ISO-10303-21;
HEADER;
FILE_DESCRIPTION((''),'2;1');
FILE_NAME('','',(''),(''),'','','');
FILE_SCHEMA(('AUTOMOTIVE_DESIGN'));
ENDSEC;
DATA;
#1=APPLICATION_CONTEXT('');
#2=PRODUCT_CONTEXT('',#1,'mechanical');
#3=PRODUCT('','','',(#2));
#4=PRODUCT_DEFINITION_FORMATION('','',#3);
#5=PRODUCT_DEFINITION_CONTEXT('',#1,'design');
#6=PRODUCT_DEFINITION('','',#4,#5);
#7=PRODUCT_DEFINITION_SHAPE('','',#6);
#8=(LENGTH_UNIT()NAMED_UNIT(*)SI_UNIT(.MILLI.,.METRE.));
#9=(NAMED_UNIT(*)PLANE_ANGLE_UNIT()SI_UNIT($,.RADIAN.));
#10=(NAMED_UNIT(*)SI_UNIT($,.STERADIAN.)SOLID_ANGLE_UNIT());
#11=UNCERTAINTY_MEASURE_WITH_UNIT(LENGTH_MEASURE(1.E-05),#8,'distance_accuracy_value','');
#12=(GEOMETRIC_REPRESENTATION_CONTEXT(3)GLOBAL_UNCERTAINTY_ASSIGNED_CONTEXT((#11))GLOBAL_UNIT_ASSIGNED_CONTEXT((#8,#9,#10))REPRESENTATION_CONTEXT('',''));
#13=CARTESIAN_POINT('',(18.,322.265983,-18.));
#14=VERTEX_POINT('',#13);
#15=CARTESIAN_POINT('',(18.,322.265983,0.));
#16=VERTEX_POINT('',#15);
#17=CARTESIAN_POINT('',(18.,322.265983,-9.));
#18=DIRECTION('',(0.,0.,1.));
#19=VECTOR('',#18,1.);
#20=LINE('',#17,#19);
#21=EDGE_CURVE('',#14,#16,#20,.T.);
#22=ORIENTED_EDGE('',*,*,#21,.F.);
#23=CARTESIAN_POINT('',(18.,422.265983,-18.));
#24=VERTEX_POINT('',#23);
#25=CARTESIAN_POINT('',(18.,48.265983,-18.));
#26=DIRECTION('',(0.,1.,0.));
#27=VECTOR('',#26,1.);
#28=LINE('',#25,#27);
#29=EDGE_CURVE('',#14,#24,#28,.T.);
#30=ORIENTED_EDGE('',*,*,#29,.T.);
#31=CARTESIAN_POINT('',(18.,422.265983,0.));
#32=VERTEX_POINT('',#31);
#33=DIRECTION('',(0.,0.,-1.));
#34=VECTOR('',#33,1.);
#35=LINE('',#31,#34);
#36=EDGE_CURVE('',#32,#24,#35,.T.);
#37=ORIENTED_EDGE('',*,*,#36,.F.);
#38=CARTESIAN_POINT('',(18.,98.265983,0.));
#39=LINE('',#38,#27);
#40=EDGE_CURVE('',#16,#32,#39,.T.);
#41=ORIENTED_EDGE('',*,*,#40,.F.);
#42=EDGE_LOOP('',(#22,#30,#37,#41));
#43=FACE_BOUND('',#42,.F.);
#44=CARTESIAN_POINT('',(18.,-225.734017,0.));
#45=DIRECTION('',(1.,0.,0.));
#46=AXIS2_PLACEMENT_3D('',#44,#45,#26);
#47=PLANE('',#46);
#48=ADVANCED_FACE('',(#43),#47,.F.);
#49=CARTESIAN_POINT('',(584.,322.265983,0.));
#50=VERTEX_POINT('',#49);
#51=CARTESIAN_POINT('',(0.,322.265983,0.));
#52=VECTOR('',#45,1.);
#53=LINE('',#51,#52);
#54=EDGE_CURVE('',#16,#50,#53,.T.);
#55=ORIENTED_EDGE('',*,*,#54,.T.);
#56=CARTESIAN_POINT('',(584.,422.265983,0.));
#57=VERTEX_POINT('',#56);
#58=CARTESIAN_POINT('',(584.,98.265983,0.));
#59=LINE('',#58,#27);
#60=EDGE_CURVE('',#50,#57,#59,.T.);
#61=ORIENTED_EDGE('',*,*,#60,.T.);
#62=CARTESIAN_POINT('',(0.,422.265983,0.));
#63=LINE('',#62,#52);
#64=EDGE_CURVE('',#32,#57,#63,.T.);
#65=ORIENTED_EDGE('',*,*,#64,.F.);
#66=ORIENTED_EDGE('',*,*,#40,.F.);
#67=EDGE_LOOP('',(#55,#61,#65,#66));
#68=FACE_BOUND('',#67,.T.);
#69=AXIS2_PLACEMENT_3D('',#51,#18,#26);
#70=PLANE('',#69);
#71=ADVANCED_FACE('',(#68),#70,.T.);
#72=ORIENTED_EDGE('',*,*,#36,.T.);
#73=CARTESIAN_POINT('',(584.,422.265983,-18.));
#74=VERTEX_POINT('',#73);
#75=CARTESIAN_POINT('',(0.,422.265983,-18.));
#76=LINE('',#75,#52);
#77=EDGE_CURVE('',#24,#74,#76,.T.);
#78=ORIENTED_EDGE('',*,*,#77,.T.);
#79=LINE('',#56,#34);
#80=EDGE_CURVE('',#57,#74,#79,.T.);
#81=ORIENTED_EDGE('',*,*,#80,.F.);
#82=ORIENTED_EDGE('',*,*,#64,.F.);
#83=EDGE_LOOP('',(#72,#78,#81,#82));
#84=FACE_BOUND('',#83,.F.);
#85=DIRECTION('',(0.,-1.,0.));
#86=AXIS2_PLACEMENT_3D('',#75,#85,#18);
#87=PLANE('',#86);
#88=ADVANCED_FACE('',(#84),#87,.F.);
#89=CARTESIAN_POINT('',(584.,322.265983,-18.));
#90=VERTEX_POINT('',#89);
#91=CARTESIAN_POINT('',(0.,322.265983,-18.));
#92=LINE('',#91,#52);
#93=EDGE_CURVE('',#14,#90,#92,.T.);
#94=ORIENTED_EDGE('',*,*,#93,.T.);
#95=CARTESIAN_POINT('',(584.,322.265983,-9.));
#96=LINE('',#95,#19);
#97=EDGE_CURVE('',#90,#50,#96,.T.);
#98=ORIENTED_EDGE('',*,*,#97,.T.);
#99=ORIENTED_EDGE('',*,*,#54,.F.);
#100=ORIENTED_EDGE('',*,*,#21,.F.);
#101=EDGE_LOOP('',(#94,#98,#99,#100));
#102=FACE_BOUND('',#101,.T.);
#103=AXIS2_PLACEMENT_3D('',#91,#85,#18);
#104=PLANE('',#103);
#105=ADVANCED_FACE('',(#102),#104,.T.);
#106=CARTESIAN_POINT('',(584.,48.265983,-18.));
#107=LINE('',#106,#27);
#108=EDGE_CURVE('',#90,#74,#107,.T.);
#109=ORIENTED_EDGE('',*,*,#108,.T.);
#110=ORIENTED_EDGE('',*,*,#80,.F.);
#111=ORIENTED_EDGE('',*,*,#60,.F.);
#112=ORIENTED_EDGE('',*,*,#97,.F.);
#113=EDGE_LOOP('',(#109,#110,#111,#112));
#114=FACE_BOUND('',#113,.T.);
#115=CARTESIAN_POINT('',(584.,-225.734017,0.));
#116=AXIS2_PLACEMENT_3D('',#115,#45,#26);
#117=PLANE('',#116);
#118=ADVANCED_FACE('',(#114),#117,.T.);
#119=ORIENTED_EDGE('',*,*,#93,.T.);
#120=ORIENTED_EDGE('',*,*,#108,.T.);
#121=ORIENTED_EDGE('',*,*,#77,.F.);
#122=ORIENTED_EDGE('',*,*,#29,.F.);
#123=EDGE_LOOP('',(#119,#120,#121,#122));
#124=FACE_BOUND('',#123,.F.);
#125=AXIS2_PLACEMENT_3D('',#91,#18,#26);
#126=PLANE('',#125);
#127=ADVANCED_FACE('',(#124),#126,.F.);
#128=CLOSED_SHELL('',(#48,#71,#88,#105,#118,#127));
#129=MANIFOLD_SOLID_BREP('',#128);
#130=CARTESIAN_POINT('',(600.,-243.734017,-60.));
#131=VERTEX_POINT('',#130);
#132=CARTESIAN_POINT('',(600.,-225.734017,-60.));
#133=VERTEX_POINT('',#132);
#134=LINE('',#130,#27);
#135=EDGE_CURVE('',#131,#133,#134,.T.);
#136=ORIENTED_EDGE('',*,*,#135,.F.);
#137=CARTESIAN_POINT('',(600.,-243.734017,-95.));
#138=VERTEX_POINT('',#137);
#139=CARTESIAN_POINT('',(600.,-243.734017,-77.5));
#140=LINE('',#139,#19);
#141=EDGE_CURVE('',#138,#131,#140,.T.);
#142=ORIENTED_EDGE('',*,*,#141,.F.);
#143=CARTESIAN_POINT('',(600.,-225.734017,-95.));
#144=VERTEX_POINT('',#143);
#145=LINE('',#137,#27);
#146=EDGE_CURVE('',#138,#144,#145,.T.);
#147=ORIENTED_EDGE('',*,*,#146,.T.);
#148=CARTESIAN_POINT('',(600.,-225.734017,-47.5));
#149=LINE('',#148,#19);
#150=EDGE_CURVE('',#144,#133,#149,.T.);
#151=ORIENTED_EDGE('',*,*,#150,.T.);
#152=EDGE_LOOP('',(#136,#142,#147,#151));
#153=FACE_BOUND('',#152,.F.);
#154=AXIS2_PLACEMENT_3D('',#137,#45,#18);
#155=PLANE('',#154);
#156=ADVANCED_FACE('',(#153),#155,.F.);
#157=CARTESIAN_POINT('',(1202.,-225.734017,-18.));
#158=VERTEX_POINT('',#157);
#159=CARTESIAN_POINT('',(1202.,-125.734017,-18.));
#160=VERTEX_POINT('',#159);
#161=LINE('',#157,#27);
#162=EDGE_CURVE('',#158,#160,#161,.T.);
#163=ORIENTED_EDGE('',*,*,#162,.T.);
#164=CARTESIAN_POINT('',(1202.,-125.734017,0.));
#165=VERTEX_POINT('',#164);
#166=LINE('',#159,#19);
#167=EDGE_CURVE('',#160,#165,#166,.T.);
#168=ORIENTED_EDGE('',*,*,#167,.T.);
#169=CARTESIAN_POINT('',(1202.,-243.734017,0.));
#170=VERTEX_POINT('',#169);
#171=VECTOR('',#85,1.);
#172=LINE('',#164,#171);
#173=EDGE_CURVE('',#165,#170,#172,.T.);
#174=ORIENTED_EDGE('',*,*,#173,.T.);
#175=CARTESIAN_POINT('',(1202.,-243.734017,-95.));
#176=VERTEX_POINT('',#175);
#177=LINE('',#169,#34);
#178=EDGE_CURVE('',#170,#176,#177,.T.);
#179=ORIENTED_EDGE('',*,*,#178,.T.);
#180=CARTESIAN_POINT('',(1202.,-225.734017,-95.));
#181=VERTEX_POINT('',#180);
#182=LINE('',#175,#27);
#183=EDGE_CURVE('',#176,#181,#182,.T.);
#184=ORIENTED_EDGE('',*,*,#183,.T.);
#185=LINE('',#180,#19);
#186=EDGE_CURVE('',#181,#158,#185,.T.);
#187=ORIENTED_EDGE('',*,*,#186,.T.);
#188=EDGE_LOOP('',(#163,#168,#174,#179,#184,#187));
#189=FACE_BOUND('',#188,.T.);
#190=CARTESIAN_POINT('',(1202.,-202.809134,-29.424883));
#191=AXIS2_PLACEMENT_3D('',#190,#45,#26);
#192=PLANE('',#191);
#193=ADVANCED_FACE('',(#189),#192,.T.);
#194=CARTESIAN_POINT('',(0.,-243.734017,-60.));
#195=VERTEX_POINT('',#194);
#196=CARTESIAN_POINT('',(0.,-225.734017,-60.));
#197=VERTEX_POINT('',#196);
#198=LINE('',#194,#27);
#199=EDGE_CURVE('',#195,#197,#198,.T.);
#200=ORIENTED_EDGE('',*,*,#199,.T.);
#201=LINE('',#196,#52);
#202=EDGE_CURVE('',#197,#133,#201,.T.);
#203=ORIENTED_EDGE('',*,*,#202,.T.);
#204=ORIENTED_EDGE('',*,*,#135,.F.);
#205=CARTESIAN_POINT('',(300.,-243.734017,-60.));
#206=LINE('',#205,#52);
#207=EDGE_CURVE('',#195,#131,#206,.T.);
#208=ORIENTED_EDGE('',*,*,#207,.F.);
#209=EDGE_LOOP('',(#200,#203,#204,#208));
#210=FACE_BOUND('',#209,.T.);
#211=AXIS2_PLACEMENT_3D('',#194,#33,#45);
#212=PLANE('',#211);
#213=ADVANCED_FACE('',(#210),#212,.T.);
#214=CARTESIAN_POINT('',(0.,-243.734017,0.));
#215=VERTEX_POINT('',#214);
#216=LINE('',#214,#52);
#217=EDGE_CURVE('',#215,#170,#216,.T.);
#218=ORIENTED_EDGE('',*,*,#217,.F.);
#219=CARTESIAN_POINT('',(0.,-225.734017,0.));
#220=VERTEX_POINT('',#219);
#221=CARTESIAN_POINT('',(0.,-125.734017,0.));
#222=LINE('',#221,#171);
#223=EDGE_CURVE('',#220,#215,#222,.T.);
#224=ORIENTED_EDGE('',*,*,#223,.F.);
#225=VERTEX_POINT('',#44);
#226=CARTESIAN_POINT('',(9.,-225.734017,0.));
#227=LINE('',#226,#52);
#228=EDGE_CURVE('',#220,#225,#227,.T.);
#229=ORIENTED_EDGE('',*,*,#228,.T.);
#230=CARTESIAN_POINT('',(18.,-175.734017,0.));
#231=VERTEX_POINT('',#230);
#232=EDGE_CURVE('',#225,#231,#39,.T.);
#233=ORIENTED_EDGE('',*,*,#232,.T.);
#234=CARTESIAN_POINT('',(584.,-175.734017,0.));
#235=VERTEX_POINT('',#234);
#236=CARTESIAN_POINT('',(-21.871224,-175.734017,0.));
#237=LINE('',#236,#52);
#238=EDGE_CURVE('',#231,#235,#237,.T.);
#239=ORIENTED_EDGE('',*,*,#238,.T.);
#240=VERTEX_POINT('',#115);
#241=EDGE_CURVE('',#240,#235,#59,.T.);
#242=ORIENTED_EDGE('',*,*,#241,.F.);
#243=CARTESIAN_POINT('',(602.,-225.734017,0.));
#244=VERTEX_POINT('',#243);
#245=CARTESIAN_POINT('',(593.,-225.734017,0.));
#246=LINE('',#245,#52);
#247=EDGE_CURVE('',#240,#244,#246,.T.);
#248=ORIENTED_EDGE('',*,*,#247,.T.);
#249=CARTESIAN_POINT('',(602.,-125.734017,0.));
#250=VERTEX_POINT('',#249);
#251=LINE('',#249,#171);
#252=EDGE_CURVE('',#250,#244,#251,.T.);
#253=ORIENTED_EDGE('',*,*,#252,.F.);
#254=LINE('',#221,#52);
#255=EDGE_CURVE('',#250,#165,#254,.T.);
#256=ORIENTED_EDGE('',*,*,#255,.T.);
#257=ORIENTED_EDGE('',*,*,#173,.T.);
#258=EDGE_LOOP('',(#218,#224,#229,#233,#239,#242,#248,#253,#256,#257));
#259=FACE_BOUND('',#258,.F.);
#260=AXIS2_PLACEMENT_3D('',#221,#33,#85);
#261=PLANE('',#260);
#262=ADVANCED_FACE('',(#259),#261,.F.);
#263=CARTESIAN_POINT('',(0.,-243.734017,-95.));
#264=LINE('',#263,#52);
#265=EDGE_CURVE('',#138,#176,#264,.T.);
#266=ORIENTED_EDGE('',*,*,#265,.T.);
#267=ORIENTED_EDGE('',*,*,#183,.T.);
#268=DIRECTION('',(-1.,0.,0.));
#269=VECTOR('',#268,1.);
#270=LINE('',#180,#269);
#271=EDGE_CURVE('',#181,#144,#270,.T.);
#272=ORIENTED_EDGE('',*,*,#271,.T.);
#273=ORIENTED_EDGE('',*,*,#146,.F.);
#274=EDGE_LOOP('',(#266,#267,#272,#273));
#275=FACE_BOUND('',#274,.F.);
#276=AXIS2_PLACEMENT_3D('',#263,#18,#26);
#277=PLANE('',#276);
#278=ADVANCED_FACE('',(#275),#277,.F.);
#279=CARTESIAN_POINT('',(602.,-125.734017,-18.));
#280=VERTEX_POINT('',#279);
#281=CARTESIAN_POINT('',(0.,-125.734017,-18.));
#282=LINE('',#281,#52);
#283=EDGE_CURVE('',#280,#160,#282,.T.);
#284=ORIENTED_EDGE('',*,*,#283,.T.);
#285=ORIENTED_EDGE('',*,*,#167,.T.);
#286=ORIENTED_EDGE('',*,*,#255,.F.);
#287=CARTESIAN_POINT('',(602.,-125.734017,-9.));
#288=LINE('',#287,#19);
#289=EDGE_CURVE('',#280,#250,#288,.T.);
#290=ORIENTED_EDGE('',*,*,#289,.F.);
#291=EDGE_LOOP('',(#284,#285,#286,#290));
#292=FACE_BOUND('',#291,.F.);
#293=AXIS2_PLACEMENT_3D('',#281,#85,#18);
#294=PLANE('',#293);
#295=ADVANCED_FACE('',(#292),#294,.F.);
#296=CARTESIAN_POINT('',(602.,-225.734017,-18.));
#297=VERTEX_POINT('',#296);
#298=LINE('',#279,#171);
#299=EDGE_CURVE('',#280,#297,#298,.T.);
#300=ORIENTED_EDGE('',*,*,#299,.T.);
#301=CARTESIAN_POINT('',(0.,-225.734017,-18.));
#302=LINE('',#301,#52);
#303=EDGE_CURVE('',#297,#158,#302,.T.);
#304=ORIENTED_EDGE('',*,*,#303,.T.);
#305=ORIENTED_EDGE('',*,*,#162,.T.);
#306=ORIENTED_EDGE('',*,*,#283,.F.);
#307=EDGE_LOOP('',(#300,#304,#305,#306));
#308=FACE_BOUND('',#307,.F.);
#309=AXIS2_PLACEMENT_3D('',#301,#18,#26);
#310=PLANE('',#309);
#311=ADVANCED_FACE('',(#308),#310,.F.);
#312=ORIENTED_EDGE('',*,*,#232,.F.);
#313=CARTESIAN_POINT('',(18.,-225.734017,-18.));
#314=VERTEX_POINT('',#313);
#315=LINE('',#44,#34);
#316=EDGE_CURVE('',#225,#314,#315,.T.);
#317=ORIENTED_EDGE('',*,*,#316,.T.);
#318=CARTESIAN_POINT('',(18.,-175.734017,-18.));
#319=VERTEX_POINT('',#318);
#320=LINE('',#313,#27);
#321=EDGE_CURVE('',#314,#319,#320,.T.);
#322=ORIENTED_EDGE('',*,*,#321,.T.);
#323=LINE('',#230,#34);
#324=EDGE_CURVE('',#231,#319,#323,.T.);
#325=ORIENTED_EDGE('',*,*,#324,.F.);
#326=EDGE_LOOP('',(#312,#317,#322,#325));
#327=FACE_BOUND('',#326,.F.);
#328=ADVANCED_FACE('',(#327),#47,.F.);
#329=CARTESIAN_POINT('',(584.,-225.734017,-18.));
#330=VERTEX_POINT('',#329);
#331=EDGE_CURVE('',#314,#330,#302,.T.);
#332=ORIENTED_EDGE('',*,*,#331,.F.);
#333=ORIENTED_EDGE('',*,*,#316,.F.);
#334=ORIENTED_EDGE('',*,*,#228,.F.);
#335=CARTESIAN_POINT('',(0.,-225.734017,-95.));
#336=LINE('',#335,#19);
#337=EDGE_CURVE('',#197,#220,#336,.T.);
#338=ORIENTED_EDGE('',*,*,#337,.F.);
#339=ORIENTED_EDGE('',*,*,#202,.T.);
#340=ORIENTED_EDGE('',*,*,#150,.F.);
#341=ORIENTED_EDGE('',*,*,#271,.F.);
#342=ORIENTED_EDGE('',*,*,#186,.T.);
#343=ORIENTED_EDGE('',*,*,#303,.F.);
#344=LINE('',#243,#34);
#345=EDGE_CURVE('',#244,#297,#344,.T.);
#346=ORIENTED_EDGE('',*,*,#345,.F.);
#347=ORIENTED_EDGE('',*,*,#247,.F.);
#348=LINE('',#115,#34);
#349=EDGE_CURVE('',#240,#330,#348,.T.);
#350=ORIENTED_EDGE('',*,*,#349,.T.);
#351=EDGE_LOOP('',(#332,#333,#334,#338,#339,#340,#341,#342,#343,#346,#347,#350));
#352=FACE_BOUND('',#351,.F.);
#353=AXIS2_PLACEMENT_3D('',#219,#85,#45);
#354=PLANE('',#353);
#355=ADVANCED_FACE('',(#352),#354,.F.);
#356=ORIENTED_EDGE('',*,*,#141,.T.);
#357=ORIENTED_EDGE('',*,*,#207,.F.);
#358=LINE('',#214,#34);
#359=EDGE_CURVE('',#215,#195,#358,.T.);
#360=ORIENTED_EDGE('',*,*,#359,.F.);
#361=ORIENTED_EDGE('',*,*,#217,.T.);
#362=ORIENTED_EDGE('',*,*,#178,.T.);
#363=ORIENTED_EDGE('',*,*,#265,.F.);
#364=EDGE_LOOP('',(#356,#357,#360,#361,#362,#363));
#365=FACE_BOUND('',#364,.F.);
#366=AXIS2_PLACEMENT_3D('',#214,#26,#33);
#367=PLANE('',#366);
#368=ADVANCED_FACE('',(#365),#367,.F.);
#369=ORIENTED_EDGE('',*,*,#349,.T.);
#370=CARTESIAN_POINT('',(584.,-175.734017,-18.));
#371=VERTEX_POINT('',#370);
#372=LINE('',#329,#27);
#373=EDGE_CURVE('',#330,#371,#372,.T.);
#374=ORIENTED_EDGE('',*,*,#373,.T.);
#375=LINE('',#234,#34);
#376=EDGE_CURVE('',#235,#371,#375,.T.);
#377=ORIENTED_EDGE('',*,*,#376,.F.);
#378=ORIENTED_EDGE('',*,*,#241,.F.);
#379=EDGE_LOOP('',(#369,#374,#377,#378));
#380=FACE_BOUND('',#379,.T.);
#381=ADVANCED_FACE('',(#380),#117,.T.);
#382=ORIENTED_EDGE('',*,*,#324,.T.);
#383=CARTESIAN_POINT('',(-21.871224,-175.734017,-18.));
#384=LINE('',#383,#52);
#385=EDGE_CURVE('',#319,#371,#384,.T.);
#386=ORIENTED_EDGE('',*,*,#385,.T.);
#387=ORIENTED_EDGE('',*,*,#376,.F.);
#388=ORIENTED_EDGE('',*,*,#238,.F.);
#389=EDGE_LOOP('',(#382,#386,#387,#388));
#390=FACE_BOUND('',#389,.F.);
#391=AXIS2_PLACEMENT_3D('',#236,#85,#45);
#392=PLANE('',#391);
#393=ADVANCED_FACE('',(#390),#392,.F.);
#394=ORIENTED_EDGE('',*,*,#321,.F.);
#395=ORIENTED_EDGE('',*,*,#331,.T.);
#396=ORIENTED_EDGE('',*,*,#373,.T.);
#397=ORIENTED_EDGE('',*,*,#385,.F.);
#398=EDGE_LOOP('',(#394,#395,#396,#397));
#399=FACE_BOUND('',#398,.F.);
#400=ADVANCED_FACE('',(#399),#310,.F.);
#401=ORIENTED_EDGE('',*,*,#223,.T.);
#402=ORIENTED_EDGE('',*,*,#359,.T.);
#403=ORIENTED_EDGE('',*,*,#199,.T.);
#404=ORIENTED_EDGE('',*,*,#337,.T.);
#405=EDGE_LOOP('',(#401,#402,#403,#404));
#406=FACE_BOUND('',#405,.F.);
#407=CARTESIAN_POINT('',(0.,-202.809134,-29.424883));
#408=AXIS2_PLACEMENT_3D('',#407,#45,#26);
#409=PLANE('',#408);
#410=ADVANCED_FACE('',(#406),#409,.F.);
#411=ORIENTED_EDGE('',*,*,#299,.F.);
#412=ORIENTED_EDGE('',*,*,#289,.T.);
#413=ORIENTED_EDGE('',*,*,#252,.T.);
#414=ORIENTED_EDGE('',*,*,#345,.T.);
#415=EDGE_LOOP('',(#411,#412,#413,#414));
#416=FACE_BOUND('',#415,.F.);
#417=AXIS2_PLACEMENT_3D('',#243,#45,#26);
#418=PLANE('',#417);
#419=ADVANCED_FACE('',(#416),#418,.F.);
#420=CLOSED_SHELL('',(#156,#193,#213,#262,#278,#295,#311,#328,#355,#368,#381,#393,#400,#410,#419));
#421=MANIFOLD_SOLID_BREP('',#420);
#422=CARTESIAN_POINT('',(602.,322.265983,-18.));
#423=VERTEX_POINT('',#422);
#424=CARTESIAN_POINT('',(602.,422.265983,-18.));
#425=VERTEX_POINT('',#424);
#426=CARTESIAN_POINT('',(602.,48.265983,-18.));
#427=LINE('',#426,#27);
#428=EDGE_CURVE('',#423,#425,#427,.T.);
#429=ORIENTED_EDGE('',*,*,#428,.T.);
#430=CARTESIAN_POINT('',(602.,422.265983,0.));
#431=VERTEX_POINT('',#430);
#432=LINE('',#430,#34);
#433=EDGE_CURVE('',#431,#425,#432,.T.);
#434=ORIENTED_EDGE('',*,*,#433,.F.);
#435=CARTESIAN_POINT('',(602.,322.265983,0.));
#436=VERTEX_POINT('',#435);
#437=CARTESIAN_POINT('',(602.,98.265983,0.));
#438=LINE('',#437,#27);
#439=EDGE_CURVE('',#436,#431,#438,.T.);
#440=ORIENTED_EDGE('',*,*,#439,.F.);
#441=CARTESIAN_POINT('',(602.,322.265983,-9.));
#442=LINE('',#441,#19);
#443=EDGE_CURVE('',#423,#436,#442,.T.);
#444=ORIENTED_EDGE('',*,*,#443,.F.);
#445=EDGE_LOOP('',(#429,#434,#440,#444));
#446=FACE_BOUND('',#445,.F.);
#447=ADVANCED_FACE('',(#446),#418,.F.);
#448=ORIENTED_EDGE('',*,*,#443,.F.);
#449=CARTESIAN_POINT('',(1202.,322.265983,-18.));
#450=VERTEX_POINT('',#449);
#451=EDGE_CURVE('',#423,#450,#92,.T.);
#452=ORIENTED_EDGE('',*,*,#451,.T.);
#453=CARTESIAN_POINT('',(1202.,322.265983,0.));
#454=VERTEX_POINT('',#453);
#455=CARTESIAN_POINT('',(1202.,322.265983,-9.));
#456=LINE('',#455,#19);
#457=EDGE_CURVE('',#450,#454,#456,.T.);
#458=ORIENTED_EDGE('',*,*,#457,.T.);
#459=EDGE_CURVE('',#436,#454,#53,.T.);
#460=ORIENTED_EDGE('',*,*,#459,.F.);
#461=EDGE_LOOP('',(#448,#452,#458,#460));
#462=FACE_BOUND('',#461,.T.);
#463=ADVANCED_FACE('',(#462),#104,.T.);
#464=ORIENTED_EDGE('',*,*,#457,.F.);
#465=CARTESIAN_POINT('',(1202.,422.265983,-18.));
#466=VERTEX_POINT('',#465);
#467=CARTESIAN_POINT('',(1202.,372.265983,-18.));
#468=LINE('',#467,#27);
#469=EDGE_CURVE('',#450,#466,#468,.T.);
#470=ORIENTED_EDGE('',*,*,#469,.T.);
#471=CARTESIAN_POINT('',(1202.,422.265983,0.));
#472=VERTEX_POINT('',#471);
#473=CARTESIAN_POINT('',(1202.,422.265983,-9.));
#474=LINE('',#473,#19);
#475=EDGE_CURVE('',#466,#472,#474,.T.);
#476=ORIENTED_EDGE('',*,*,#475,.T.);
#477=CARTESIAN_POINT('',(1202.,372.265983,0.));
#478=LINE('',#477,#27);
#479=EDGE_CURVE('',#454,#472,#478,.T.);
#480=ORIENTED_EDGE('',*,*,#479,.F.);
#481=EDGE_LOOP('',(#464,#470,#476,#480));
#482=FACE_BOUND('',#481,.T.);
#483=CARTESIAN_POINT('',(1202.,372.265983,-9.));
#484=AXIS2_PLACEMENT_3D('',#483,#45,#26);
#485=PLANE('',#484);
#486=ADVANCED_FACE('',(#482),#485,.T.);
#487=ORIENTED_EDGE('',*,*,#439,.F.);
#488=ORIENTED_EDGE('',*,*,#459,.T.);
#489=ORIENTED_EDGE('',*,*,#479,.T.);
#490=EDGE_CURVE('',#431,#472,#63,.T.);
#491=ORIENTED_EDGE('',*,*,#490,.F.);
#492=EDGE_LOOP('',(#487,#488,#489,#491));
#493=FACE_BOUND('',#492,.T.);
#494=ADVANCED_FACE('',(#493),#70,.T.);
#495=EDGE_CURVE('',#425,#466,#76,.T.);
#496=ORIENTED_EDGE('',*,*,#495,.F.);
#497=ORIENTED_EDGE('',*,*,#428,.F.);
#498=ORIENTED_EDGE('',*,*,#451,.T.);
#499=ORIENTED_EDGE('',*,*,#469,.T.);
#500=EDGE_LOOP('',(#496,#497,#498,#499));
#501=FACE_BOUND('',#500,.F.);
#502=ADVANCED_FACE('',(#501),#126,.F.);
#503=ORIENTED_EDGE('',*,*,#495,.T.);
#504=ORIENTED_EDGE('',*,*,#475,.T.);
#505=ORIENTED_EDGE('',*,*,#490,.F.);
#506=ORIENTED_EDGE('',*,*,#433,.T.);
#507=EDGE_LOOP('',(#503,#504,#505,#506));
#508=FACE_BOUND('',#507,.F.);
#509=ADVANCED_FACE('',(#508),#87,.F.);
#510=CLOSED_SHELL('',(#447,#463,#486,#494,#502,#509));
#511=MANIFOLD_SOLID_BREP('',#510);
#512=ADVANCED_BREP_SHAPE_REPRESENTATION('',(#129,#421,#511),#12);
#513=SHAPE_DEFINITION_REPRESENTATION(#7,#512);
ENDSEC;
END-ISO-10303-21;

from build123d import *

# Parameters (mm, degrees)
F0_W     = 100
F0_H     = 18
F1_DEPTH = 1202
F2_W     = 18
F2_H     = 648
F3_DEPTH = 95
F4_W     = 600
F4_H     = 35
F5_DEPTH = 25
F6_W     = 18
F6_H     = 50
F6_W_2   = 566
F6_W_3   = 39.871224
F7_DEPTH = 18


with BuildPart() as f1:
    # F0 (on Right) → F1 (new body)
    with BuildSketch(Plane.YZ):
        with Locations((372.265983, -9)):
            Rectangle(F0_W, F0_H)
        Polygon((-125.734017, -18), (-125.734017, 0), (-243.734017, 0), (-243.734017, -95), (-225.734017, -95), (-225.734017, -18), align=None)
    extrude(amount=F1_DEPTH)

    # F2 (on face) → F3 (cut)
    with BuildSketch(Plane.XY):
        with Locations((593, 98.265983)):
            Rectangle(F2_W, F2_H)
        with Locations((9, 98.265983)):
            Rectangle(F2_W, F2_H)
    extrude(amount=-F3_DEPTH, mode=Mode.SUBTRACT)

    # F4 (on face) → F5 (cut)
    with BuildSketch(Plane.XZ.offset(243.734017)):
        with Locations((300, -77.5)):
            Rectangle(F4_W, F4_H)
    extrude(amount=-F5_DEPTH, mode=Mode.SUBTRACT)

    # F6 (on face) → F7 (cut)
    with BuildSketch(Plane.XY):
        with Locations((593, -150.734017)):
            Rectangle(F6_W, F6_H)
        with Locations((301, -150.734017)):
            Rectangle(F6_W_2, F6_H)
        with Locations((-1.935612, -150.734017)):
            Rectangle(F6_W_3, F6_H)
    extrude(amount=-F7_DEPTH, mode=Mode.SUBTRACT)


solid = f1.part
